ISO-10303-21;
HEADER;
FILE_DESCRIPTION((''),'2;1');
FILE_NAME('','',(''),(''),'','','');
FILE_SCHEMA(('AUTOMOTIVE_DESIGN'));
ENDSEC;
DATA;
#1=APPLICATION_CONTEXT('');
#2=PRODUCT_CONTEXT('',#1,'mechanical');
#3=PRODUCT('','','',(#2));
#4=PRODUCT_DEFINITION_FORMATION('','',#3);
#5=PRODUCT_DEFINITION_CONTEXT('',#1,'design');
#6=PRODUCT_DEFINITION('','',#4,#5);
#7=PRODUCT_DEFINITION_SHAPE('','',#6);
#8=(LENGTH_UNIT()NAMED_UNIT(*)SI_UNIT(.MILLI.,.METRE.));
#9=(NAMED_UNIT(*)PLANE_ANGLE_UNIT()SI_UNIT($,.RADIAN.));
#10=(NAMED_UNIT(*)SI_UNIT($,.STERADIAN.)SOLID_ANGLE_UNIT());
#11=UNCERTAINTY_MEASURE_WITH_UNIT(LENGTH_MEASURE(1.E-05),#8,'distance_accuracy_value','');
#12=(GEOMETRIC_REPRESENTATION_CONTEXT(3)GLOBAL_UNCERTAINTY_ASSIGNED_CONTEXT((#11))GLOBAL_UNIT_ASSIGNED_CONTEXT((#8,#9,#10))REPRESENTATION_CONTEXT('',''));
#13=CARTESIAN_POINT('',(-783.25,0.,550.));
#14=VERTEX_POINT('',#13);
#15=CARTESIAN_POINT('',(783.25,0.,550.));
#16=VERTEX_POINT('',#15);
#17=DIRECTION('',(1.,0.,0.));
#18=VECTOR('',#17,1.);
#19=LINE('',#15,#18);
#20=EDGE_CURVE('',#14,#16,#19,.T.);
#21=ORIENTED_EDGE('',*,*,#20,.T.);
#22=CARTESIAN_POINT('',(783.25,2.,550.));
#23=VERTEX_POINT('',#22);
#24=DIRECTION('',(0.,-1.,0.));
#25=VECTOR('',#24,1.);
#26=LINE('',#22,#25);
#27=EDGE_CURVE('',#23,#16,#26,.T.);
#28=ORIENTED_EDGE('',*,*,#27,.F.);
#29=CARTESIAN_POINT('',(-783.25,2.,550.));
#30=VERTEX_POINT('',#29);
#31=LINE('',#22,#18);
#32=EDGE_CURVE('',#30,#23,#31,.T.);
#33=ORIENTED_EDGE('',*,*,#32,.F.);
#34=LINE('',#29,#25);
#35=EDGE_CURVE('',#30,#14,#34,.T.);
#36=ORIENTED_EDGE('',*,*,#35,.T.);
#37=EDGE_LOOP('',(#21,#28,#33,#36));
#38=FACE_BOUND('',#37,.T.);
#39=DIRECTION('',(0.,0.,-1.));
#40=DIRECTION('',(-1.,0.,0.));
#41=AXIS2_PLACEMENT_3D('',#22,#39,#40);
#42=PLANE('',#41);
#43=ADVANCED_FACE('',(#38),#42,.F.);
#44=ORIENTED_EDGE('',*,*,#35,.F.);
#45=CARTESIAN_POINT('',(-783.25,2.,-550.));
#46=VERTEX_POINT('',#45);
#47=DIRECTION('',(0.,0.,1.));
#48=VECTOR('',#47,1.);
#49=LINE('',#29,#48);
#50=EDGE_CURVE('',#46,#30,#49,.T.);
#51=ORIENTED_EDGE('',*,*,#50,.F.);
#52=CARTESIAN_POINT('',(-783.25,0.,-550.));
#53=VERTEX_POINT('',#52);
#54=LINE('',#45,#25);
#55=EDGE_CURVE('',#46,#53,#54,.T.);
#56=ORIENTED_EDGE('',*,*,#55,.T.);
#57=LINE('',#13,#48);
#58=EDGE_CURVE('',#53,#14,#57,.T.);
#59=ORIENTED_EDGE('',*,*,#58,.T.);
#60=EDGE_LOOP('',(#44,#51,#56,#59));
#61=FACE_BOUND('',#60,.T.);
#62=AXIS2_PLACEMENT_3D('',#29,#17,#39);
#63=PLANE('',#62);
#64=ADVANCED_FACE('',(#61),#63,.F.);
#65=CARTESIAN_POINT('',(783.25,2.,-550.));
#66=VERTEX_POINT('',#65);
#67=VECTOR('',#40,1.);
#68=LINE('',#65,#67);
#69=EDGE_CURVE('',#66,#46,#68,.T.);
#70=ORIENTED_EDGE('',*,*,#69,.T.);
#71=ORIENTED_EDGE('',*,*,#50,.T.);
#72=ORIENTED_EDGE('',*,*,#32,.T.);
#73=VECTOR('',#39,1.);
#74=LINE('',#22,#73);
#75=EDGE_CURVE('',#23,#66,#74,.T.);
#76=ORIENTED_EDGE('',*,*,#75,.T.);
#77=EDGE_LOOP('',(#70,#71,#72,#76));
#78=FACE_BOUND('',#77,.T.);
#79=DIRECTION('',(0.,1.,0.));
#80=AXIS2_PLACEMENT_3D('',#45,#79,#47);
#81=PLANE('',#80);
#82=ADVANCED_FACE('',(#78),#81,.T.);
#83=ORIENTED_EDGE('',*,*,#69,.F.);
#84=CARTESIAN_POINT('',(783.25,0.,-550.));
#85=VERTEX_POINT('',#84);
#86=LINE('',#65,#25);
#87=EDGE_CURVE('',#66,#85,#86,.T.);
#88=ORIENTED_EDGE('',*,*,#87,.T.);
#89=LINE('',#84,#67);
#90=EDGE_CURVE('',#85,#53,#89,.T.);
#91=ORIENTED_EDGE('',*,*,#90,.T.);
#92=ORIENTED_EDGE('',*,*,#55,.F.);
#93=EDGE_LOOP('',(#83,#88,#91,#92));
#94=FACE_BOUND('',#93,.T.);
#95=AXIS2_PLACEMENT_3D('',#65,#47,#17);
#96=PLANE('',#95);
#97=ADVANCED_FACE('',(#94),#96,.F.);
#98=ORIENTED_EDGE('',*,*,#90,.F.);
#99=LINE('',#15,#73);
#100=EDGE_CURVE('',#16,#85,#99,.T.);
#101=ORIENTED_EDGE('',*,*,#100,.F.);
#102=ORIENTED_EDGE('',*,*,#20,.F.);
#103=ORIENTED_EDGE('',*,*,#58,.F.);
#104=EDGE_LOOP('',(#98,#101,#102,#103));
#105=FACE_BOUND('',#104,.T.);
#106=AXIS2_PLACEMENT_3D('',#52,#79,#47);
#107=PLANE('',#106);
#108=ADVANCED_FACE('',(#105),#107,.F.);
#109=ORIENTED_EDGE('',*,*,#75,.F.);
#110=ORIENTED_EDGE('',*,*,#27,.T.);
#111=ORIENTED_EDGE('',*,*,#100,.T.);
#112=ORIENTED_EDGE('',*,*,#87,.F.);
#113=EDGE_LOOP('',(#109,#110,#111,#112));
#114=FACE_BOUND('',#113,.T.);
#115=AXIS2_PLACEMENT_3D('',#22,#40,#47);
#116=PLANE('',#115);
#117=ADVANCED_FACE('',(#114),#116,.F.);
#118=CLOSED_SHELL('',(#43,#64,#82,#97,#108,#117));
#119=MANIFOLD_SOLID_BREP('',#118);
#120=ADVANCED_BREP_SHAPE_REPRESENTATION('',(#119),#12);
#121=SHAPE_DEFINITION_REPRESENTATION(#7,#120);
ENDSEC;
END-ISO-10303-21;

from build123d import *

# Parameters (mm, degrees)
CROQUIS1_W     = 1566.5
CROQUIS1_H     = 1100
EXTRUIR1_DEPTH = 2


with BuildPart() as part:
    # Croquis1 → Extruir1 (new body)
    with BuildSketch(Plane(origin=(0, 0, 0), x_dir=(1, 0, 0), z_dir=(0, 1, 0))):
        Rectangle(CROQUIS1_W, CROQUIS1_H)
    extrude(amount=EXTRUIR1_DEPTH)


solid = part.part
